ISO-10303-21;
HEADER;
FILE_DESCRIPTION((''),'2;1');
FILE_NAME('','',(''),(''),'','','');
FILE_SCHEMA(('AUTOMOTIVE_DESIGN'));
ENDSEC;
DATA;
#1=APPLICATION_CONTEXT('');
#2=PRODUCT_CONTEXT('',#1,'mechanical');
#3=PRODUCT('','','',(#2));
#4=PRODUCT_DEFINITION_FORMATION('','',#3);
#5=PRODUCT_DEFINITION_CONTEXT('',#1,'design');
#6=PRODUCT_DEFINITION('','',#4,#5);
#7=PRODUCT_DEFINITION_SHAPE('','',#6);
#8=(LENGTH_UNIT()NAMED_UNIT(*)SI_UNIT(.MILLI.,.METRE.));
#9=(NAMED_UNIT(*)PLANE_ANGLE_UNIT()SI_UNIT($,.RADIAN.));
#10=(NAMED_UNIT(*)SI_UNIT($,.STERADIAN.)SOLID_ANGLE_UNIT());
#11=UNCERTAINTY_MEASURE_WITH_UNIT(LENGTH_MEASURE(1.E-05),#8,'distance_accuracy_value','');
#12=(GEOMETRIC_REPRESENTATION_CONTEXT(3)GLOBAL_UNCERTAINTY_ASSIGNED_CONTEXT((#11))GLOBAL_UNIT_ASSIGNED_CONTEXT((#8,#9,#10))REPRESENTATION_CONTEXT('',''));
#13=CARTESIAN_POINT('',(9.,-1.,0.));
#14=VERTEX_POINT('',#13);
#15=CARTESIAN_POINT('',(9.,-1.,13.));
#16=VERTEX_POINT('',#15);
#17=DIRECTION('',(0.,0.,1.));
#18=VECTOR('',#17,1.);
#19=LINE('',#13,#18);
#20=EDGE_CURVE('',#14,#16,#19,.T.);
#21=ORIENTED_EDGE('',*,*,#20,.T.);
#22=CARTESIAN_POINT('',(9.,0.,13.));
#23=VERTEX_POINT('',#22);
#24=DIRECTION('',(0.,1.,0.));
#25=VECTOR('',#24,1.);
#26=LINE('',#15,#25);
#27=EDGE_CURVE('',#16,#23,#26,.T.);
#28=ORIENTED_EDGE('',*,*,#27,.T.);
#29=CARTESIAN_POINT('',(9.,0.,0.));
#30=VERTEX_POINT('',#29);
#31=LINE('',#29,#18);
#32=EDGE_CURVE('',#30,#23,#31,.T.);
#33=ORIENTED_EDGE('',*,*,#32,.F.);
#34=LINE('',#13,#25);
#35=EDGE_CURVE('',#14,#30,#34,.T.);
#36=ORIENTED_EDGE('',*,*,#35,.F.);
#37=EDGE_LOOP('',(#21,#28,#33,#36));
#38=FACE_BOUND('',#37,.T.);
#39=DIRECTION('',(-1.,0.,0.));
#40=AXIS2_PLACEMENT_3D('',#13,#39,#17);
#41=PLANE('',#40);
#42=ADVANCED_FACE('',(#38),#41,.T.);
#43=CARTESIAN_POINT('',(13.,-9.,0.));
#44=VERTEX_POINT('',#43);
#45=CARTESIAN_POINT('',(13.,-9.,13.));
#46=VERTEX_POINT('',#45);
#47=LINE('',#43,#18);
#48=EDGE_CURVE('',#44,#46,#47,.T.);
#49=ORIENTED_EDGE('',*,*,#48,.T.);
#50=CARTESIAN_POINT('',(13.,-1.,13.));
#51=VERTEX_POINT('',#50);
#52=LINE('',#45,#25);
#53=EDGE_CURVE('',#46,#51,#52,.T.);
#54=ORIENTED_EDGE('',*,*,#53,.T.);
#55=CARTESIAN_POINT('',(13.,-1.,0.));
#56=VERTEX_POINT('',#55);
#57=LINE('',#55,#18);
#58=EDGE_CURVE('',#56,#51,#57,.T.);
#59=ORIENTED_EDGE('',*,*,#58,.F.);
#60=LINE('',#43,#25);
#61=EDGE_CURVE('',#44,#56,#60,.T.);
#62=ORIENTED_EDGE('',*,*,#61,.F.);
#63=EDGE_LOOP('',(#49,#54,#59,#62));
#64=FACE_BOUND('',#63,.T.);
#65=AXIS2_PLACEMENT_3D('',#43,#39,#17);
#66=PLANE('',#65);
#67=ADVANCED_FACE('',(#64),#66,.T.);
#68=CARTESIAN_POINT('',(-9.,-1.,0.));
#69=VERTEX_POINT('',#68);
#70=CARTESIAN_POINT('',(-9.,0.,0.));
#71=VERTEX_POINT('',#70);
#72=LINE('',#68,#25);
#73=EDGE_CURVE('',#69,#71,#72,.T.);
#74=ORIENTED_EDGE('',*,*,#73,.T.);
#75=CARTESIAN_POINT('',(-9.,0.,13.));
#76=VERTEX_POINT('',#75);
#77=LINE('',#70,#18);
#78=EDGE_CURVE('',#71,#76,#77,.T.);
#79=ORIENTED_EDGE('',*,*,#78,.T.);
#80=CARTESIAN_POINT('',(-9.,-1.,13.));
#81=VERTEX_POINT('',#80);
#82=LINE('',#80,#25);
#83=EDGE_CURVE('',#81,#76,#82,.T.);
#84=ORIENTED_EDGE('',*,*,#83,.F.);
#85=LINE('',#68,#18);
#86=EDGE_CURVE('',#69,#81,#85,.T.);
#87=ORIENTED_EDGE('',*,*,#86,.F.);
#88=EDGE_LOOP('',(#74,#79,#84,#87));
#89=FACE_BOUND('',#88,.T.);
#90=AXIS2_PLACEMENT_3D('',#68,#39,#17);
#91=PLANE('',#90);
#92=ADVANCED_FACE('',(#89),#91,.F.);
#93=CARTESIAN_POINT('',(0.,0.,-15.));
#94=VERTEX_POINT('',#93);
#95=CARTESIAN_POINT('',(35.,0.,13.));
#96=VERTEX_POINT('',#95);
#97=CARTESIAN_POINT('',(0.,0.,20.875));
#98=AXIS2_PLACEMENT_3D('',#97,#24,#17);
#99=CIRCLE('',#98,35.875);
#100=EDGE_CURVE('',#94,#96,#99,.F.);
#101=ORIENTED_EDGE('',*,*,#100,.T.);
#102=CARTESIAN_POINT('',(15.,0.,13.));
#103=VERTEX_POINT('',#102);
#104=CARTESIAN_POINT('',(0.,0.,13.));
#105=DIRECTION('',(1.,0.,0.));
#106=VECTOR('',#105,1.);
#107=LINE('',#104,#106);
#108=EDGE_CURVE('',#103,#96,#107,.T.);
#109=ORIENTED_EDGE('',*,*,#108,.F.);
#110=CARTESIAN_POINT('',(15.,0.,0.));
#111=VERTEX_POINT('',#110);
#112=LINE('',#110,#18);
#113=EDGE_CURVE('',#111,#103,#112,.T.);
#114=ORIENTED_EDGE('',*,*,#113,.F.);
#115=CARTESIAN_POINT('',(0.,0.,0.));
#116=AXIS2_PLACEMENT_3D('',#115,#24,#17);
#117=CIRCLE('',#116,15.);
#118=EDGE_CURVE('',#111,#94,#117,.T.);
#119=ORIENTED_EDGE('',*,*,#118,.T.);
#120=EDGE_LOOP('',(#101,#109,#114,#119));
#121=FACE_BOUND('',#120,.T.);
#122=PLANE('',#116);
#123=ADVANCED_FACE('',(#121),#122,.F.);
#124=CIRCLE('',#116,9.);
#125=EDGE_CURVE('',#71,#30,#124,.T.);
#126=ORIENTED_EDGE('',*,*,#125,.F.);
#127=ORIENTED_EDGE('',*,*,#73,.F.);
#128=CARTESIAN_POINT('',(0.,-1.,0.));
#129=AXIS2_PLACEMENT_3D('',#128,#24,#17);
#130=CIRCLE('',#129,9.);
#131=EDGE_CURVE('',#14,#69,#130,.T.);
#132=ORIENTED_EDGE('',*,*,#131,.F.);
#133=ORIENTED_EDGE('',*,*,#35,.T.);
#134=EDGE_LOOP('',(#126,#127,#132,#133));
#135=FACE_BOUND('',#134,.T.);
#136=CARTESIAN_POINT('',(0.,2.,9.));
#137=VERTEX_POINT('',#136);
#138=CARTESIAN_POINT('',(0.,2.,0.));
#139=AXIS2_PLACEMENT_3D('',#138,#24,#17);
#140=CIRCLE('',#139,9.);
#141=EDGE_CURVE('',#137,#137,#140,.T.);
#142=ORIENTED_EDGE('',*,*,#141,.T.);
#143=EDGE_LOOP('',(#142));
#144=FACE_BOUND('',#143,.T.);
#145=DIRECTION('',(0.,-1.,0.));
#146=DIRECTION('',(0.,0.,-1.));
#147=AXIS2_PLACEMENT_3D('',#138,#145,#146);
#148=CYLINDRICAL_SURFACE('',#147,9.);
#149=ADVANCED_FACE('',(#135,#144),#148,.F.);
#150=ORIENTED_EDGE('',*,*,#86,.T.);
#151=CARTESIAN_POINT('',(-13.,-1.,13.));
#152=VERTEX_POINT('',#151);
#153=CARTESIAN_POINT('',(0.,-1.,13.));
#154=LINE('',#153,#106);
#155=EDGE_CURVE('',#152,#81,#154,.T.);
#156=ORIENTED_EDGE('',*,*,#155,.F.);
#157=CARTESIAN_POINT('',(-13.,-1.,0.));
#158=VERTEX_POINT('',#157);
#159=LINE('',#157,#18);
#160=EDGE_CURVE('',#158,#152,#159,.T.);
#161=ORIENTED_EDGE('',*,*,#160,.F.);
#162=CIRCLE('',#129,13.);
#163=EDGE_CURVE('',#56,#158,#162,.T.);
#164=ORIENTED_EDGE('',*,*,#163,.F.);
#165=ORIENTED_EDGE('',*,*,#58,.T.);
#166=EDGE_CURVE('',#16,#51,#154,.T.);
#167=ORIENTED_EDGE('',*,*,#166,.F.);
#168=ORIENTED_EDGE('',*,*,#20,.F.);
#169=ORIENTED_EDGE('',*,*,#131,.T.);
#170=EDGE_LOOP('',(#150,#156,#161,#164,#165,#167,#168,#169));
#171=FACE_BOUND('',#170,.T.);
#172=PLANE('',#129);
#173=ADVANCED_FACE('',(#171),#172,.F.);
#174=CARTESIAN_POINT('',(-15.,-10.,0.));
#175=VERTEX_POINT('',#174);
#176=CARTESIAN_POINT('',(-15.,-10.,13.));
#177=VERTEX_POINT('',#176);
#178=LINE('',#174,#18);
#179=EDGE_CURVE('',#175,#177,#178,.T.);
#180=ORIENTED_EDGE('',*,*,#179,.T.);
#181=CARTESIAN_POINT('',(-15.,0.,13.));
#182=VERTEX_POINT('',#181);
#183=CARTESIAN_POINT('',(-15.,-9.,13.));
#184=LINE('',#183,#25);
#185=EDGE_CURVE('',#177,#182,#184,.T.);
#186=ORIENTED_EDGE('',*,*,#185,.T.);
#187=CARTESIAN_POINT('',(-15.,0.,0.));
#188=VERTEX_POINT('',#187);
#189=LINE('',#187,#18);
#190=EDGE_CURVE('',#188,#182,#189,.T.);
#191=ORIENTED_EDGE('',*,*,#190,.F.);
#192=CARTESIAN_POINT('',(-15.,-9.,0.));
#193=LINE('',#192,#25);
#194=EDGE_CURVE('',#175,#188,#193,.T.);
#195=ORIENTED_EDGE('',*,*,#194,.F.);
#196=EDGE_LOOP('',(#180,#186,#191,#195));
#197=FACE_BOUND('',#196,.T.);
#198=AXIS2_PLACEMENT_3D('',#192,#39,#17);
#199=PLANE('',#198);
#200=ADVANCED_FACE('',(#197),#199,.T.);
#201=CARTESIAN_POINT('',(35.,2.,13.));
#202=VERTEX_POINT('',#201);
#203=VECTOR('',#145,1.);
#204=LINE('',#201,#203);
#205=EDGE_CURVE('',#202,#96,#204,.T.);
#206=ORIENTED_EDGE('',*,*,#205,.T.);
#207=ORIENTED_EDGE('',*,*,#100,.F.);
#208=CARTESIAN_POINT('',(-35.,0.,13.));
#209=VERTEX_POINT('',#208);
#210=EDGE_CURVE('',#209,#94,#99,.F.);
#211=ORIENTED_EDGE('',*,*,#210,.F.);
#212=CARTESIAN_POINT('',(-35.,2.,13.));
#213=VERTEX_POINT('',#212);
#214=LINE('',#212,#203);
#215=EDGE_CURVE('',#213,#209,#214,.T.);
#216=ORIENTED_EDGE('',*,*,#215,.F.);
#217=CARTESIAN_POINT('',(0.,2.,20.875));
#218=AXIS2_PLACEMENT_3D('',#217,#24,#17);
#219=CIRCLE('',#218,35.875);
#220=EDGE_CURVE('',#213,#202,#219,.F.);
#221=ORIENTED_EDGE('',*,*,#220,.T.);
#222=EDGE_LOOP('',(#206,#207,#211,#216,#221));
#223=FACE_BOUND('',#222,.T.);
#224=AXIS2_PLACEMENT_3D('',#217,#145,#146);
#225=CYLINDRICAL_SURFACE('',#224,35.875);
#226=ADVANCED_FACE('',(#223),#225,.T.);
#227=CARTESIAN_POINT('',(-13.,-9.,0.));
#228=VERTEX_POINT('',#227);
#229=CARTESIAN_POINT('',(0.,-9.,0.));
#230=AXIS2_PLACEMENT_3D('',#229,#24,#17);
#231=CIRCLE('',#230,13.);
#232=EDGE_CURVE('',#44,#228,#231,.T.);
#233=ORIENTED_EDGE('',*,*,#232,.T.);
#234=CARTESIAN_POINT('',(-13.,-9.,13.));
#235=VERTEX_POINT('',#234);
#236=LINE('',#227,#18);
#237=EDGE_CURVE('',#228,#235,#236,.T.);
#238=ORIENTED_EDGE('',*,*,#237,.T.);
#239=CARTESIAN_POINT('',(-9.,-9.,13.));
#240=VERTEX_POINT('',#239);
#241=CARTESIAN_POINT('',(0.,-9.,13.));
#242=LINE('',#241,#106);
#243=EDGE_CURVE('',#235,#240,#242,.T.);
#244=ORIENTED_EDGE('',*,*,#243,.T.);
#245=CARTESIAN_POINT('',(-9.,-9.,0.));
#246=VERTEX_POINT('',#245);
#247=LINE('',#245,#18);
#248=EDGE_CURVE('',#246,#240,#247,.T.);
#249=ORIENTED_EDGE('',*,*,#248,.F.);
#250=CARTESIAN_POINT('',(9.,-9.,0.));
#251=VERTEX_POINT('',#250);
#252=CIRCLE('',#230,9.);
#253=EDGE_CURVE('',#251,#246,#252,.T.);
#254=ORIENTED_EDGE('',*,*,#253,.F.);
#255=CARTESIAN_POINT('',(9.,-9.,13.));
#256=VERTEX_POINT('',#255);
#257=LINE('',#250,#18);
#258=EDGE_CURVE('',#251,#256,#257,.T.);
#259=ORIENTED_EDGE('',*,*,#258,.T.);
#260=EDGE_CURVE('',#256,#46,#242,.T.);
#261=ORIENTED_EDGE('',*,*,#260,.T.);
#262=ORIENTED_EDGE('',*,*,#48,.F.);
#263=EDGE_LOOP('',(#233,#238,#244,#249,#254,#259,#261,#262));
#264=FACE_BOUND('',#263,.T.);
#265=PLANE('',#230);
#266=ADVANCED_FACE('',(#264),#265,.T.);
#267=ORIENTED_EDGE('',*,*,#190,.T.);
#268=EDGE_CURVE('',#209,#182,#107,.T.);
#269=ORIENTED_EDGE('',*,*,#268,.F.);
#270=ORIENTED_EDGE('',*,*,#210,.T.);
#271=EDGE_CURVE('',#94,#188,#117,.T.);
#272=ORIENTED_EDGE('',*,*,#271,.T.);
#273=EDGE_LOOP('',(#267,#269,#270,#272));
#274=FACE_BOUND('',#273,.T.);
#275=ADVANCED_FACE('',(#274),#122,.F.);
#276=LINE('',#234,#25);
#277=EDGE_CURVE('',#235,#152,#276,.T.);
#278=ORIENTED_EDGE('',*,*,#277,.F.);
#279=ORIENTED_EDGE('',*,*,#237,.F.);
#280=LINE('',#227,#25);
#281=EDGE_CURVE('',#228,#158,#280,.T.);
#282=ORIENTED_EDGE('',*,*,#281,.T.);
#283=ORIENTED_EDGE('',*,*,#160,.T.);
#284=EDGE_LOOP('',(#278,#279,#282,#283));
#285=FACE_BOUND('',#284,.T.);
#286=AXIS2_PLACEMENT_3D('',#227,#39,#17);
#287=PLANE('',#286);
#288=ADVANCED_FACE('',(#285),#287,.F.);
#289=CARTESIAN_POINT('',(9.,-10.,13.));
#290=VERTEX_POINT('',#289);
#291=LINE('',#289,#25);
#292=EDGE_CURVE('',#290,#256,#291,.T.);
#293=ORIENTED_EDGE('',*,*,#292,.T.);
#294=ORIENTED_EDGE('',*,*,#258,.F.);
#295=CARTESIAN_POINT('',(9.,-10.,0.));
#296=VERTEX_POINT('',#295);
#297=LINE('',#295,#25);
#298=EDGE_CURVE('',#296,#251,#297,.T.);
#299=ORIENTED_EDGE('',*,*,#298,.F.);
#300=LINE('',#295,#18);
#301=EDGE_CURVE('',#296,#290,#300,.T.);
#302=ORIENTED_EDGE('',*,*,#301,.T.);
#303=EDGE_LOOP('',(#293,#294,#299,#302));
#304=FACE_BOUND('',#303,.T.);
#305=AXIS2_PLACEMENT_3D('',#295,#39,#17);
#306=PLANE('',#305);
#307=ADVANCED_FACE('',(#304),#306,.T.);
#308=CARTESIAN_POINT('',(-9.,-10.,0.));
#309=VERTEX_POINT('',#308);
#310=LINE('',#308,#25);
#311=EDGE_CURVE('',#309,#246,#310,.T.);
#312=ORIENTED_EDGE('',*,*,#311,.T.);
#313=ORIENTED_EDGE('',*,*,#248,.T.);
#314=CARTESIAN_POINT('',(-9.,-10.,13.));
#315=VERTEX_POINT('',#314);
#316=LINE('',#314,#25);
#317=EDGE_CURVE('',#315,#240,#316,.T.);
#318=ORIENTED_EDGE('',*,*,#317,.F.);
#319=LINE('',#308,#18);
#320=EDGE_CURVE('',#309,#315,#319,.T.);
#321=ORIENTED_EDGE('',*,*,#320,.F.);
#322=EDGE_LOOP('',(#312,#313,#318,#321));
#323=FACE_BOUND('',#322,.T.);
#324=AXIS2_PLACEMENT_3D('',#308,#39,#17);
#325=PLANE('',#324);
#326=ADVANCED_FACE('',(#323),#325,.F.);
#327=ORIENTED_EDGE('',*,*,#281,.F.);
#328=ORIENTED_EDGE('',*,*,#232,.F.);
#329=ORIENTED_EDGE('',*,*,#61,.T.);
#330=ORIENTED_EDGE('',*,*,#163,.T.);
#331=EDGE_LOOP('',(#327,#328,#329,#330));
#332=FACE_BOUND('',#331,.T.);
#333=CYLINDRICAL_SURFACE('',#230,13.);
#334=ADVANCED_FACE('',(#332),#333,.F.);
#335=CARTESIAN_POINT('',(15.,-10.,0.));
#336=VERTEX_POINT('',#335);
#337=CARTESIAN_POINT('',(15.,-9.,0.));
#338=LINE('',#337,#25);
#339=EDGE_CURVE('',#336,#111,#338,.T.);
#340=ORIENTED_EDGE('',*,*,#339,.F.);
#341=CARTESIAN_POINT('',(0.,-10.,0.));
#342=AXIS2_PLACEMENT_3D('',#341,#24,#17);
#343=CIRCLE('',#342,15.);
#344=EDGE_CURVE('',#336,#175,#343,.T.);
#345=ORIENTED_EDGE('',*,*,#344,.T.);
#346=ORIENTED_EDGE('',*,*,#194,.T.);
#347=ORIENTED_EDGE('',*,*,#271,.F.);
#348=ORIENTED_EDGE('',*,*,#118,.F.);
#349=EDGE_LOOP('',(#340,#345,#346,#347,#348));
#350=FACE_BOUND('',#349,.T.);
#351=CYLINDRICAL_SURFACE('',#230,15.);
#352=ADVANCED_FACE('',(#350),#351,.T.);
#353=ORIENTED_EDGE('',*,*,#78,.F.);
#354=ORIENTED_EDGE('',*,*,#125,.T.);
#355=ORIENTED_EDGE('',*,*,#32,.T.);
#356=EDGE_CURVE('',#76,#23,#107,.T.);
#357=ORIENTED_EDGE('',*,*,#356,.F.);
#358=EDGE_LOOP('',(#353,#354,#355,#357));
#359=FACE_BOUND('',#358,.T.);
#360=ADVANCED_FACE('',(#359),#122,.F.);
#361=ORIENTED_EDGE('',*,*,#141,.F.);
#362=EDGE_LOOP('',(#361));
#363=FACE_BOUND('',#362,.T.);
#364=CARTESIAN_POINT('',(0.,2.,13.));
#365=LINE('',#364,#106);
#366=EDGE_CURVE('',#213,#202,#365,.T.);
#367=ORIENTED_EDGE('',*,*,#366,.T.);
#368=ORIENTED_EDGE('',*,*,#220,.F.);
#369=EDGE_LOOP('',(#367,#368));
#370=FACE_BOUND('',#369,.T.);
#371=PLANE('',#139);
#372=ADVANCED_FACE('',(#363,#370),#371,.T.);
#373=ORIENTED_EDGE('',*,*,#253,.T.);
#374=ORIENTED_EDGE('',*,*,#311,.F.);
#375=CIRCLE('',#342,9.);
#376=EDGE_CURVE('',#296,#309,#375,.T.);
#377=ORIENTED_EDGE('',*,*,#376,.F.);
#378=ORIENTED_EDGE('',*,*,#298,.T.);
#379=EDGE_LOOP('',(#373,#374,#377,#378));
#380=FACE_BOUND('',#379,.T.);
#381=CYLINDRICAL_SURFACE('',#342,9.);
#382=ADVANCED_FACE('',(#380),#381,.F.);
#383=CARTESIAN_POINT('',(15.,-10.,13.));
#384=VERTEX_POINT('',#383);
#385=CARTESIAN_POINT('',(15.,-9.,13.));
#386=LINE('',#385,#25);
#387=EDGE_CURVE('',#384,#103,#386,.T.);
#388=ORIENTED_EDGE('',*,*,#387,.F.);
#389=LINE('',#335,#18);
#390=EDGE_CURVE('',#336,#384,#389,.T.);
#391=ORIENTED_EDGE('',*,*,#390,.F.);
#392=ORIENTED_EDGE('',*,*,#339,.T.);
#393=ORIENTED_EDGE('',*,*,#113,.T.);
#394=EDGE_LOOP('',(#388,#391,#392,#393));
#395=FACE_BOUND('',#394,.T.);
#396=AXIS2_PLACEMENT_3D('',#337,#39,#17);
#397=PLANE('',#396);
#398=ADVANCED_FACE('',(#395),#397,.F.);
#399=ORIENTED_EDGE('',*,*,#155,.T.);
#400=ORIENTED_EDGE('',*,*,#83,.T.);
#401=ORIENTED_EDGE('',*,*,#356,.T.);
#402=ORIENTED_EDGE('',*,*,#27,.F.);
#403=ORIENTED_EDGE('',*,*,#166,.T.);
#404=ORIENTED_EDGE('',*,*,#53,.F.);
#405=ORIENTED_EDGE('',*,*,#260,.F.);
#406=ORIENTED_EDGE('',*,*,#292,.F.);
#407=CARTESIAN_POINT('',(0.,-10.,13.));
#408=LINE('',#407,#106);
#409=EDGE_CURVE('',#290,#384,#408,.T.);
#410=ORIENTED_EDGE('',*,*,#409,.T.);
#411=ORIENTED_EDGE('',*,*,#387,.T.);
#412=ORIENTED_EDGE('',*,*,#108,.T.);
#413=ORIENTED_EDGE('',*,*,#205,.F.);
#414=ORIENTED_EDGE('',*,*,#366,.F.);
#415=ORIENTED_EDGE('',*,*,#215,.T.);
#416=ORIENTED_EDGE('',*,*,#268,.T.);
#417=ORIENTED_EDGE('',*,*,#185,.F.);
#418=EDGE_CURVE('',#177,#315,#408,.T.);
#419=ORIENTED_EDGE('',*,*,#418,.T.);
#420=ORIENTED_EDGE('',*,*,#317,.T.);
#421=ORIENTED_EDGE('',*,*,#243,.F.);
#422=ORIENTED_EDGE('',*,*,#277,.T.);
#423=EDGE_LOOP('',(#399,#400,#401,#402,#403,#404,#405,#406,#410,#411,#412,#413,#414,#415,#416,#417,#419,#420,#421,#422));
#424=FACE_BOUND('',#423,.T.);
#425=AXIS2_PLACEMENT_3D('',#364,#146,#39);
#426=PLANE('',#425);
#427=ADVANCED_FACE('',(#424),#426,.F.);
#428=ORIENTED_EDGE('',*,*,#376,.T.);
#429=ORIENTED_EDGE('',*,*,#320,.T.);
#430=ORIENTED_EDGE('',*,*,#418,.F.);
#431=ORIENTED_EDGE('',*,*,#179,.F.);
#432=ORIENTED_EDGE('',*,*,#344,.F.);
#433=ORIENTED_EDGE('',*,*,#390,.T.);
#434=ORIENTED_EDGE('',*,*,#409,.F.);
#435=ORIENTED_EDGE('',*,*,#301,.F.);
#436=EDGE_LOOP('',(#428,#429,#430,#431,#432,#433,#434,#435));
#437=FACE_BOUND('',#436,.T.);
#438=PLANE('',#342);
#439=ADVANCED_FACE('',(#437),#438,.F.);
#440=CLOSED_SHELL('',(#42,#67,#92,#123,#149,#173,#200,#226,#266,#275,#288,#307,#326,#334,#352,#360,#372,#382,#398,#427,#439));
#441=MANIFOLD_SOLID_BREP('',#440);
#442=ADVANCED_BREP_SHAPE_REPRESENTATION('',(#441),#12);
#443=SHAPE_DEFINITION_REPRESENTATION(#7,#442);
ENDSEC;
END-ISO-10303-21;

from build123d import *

# Parameters (mm, degrees)
SKETCH1_R           = 9
BOSS_EXTRUDE1_DEPTH = 2
BOSS_EXTRUDE3_DEPTH = 9
BOSS_EXTRUDE4_DEPTH = 1
BOSS_EXTRUDE5_START = -9
BOSS_EXTRUDE5_DEPTH = 1


with BuildPart() as part:
    # Sketch1 → Boss-Extrude1 (new body)
    with BuildSketch(Plane(origin=(0, 0, 0), x_dir=(1, 0, 0), z_dir=(0, 1, 0))):
        with BuildLine():
            Line((-35, -13), (35, -13))
            ThreePointArc((35, -13), (0, 15), (-35, -13))
        make_face()
        Circle(SKETCH1_R, mode=Mode.SUBTRACT)
    extrude(amount=BOSS_EXTRUDE1_DEPTH)

    # Sketch1<5> → Boss-Extrude3 (add)
    with BuildSketch(Plane(origin=(0, 0, 0), x_dir=(1, 0, 0), z_dir=(0, 1, 0))):
        with BuildLine():
            ThreePointArc((9.437961603, 11.658682635), (4.766399393, 12.662994302), (6.3e-08, 13))
            ThreePointArc((6.3e-08, 13), (9.192388178, 9.192388133), (13, 0))
            Line((13, 0), (13, -13))
            Line((13, -13), (15, -13))
            Line((15, -13), (15, 0))
            ThreePointArc((15, 0), (13.538268428, 6.458737336), (9.437961603, 11.658682635))
        make_face()
        with BuildLine():
            ThreePointArc((-9.437961603, 11.658682635), (-4.76639933, 12.662994311), (6.3e-08, 13))
            ThreePointArc((6.3e-08, 13), (4.766399393, 12.662994302), (9.437961603, 11.658682635))
            ThreePointArc((9.437961603, 11.658682635), (5.005984494, 14.140018361), (1.09e-07, 15))
            ThreePointArc((1.09e-07, 15), (-5.005984391, 14.140018397), (-9.437961603, 11.658682635))
        make_face()
        with BuildLine():
            Line((-13, -13), (-13, 0))
            ThreePointArc((-13, 0), (-9.192388133, 9.192388178), (6.3e-08, 13))
            ThreePointArc((6.3e-08, 13), (-4.76639933, 12.662994311), (-9.437961603, 11.658682635))
            ThreePointArc((-9.437961603, 11.658682635), (-13.538268428, 6.458737336), (-15, 0))
            Line((-15, 0), (-15, -13))
            Line((-15, -13), (-13, -13))
        make_face()
    extrude(amount=-BOSS_EXTRUDE3_DEPTH)

    # Sketch1<6> → Boss-Extrude4 (add)
    with BuildSketch(Plane(origin=(0, 0, 0), x_dir=(1, 0, 0), z_dir=(0, 1, 0))):
        with BuildLine():
            ThreePointArc((6.3e-08, 13), (-9.192388133, 9.192388178), (-13, 0))
            Line((-13, 0), (-13, -13))
            Line((-13, -13), (-9, -13))
            Line((-9, -13), (-9, 0))
            ThreePointArc((-9, 0), (0, 9), (9, 0))
            Line((9, 0), (9, -13))
            Line((9, -13), (13, -13))
            Line((13, -13), (13, 0))
            ThreePointArc((13, 0), (9.192388178, 9.192388133), (6.3e-08, 13))
        make_face()
    extrude(amount=-BOSS_EXTRUDE4_DEPTH)

    # Sketch1<7> → Boss-Extrude5 (add)
    with BuildSketch(Plane(origin=(0, 0, 0), x_dir=(1, 0, 0), z_dir=(0, 1, 0)).offset(BOSS_EXTRUDE5_START)):
        with BuildLine():
            Line((-13, -13), (-13, 0))
            ThreePointArc((-13, 0), (-9.192388133, 9.192388178), (6.3e-08, 13))
            ThreePointArc((6.3e-08, 13), (-4.76639933, 12.662994311), (-9.437961603, 11.658682635))
            ThreePointArc((-9.437961603, 11.658682635), (-13.538268428, 6.458737336), (-15, 0))
            Line((-15, 0), (-15, -13))
            Line((-15, -13), (-13, -13))
        make_face()
        with BuildLine():
            ThreePointArc((-9.437961603, 11.658682635), (-4.76639933, 12.662994311), (6.3e-08, 13))
            ThreePointArc((6.3e-08, 13), (4.766399393, 12.662994302), (9.437961603, 11.658682635))
            ThreePointArc((9.437961603, 11.658682635), (5.005984494, 14.140018361), (1.09e-07, 15))
            ThreePointArc((1.09e-07, 15), (-5.005984391, 14.140018397), (-9.437961603, 11.658682635))
        make_face()
        with BuildLine():
            ThreePointArc((9.437961603, 11.658682635), (4.766399393, 12.662994302), (6.3e-08, 13))
            ThreePointArc((6.3e-08, 13), (9.192388178, 9.192388133), (13, 0))
            Line((13, 0), (13, -13))
            Line((13, -13), (15, -13))
            Line((15, -13), (15, 0))
            ThreePointArc((15, 0), (13.538268428, 6.458737336), (9.437961603, 11.658682635))
        make_face()
        with BuildLine():
            ThreePointArc((6.3e-08, 13), (-9.192388133, 9.192388178), (-13, 0))
            Line((-13, 0), (-13, -13))
            Line((-13, -13), (-9, -13))
            Line((-9, -13), (-9, 0))
            ThreePointArc((-9, 0), (0, 9), (9, 0))
            Line((9, 0), (9, -13))
            Line((9, -13), (13, -13))
            Line((13, -13), (13, 0))
            ThreePointArc((13, 0), (9.192388178, 9.192388133), (6.3e-08, 13))
        make_face()
    extrude(amount=-BOSS_EXTRUDE5_DEPTH)


solid = part.part
